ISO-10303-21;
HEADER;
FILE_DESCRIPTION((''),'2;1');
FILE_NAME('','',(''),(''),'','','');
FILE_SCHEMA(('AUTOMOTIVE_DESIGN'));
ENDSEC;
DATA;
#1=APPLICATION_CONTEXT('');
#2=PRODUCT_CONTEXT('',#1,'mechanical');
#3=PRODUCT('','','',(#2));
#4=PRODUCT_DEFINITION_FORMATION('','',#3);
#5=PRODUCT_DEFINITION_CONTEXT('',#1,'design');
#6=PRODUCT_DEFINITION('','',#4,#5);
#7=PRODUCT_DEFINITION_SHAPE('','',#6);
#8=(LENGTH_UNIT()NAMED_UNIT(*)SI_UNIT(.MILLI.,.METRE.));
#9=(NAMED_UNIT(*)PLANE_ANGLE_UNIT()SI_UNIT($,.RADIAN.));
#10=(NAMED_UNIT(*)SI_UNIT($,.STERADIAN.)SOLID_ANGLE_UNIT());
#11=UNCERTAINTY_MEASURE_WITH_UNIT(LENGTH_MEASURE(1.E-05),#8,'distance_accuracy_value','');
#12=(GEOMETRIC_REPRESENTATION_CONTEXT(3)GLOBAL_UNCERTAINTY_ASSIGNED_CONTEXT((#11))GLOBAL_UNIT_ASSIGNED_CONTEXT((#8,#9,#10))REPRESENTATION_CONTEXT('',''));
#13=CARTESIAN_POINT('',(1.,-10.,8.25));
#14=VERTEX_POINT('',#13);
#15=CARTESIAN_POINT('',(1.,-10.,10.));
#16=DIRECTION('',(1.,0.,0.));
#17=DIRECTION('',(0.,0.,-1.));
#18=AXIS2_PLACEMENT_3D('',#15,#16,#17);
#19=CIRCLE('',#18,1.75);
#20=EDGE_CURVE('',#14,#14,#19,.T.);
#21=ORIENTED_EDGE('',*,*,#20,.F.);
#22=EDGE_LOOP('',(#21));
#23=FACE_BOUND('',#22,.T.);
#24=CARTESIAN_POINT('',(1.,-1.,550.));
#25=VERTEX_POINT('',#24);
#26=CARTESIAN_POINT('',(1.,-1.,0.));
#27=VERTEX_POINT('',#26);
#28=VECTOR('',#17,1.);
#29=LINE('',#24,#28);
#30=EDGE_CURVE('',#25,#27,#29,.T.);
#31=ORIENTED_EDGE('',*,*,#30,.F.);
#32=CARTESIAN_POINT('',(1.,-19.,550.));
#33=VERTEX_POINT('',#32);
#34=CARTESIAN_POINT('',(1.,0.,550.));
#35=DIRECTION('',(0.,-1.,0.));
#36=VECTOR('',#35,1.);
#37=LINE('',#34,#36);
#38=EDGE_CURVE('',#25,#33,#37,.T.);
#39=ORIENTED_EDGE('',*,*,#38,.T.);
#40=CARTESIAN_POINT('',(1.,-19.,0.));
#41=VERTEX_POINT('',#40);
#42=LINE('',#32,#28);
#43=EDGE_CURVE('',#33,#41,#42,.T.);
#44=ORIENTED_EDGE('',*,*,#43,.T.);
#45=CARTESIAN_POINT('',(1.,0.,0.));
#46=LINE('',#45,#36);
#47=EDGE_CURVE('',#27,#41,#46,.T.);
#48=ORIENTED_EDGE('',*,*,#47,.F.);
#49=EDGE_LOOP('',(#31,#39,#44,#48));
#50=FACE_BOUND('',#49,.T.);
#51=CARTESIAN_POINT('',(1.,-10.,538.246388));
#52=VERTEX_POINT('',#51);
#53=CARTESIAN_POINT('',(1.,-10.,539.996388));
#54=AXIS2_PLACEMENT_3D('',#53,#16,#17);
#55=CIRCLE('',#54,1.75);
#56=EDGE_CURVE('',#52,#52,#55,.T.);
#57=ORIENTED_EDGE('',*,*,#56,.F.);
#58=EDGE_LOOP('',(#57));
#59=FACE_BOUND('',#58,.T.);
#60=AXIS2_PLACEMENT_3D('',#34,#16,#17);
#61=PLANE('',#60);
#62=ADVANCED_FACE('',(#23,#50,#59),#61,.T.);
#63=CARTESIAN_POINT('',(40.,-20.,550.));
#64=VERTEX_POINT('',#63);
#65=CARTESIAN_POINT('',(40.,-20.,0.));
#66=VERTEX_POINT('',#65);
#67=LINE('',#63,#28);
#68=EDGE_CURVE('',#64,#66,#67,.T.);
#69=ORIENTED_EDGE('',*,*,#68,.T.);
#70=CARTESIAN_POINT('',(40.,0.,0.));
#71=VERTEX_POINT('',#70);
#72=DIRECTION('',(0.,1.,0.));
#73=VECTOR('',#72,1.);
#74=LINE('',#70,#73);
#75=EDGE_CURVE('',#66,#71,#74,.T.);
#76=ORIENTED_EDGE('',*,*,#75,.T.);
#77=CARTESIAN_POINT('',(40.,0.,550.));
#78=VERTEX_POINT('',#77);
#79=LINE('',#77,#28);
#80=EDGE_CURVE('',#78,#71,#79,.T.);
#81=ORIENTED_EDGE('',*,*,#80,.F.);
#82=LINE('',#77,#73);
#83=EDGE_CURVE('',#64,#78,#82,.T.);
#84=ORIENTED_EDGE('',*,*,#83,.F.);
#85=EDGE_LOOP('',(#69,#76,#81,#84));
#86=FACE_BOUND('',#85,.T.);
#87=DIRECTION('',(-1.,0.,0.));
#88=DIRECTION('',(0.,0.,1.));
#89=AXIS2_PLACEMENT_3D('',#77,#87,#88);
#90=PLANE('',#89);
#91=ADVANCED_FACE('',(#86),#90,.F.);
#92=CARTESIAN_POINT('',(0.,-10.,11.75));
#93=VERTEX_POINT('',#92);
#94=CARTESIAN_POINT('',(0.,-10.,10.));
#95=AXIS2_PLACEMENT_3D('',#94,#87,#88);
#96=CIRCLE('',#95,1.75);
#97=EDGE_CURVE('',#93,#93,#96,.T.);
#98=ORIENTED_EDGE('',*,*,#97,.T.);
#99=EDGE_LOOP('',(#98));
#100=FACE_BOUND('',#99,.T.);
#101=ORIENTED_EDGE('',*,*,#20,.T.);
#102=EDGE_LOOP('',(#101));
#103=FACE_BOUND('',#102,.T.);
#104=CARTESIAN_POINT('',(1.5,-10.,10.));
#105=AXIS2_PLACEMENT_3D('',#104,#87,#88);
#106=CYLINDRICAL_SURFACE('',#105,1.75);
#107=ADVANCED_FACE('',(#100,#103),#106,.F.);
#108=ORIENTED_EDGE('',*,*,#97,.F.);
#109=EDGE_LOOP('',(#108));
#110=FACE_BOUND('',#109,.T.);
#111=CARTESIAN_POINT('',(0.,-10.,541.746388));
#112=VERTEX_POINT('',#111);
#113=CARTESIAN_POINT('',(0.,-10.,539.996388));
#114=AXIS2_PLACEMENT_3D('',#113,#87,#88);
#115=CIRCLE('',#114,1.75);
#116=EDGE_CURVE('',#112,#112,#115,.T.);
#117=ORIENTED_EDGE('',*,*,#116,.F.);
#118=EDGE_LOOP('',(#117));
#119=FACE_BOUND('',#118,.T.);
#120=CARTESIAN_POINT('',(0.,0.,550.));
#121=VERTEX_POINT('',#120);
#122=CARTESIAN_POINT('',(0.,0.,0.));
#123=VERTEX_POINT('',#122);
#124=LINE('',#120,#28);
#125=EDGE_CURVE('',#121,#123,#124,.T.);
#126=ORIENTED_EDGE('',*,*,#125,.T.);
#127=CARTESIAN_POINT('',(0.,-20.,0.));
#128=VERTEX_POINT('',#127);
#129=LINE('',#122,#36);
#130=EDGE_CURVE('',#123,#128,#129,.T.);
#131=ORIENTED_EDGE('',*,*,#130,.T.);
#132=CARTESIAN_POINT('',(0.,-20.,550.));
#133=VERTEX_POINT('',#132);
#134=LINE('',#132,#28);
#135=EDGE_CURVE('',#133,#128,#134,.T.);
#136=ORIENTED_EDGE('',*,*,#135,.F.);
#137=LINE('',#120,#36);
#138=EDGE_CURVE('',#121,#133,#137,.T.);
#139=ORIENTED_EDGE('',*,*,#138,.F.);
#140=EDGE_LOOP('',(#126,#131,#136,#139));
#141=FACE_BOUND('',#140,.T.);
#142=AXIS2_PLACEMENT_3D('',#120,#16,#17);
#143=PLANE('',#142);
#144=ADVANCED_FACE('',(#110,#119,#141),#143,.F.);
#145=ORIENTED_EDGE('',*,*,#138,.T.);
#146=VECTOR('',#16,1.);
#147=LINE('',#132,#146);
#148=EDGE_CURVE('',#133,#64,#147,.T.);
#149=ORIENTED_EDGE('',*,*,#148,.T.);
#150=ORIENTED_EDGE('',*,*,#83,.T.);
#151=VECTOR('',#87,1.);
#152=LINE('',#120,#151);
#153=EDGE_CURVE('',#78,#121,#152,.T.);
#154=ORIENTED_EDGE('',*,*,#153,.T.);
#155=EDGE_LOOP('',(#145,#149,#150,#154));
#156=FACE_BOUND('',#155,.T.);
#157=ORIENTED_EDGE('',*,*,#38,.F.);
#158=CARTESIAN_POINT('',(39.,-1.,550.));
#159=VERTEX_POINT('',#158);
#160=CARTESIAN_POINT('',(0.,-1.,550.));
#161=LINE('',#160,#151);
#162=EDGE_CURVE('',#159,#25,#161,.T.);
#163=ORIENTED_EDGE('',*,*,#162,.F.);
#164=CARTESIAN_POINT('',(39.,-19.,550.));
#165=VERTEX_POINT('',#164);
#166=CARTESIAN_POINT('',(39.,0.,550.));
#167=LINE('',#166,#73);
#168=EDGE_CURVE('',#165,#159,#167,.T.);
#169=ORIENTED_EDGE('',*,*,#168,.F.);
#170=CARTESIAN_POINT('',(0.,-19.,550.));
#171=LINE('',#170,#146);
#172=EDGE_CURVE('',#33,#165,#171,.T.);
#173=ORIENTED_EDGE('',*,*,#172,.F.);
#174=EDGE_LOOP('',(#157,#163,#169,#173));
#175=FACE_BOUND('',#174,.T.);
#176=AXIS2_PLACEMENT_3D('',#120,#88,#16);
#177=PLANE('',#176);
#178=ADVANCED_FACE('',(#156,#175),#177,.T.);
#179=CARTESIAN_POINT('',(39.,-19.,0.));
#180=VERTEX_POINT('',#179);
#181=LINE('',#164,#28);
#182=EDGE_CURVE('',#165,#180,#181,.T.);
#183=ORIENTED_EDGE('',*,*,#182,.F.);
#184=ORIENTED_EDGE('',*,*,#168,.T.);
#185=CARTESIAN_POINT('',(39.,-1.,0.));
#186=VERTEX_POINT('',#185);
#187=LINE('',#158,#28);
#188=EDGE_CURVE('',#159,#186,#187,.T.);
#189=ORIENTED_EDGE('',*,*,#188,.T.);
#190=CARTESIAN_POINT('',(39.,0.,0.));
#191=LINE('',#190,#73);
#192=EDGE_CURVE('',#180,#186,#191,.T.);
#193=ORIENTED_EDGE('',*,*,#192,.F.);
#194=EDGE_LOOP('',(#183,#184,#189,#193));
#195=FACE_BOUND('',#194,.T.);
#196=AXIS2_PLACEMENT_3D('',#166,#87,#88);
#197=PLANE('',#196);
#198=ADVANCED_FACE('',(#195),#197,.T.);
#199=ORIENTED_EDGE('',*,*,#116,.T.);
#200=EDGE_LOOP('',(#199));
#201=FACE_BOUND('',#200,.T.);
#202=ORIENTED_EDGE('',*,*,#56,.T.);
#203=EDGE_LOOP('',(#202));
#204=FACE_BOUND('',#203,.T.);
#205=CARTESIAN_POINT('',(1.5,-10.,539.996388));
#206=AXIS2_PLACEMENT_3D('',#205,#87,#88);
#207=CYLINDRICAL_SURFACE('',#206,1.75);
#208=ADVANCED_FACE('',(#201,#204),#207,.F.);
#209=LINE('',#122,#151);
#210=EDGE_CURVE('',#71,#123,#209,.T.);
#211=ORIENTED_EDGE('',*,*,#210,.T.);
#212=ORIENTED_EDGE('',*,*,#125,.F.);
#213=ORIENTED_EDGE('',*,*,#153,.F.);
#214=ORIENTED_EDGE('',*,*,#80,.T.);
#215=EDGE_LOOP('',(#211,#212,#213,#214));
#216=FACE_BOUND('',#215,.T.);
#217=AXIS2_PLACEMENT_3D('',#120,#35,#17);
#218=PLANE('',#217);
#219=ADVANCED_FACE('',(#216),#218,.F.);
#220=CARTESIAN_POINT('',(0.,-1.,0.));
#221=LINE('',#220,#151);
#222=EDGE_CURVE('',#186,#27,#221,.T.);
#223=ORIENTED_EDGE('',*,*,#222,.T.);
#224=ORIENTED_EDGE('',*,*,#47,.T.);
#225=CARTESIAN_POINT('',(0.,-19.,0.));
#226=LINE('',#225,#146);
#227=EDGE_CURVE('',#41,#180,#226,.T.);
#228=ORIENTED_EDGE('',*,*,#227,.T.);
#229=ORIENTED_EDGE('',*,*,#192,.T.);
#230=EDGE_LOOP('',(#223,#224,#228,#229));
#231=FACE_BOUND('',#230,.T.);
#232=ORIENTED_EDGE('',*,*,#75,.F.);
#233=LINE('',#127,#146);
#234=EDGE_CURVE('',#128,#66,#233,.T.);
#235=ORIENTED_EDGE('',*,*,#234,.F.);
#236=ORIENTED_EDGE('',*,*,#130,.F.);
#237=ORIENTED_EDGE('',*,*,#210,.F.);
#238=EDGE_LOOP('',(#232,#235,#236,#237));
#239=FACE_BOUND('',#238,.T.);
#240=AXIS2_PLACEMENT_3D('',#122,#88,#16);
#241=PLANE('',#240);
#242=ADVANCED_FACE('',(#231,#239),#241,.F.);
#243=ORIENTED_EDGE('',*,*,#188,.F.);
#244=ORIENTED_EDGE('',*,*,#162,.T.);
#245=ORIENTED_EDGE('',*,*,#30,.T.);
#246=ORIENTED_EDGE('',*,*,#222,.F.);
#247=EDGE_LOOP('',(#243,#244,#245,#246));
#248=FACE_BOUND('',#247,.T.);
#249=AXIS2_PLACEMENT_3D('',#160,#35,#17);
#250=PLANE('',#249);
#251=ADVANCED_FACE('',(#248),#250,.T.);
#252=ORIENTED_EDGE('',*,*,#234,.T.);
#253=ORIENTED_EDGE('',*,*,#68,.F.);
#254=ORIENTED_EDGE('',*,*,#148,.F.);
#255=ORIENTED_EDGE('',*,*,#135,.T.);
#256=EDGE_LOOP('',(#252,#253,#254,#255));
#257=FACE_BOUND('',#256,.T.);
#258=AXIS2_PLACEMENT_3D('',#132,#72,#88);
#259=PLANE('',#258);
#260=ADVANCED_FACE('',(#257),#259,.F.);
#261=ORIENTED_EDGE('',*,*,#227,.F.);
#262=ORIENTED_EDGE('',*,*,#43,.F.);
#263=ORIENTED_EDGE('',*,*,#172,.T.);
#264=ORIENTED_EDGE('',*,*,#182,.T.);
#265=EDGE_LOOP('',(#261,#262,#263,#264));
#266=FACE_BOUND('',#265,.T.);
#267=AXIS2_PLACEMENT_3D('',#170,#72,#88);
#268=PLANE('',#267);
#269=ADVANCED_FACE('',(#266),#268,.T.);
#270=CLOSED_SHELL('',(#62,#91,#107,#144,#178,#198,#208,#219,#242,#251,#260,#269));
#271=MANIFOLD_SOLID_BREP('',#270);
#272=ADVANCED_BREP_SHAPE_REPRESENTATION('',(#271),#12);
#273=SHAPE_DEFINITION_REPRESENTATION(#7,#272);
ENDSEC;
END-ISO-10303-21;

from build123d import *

# Parameters (mm, degrees)
SKETCH_1_W          = 40
SKETCH_1_H          = 20
SKETCH_1_W_2        = 38
SKETCH_1_H_2        = 18
EXTRUDE_1_DEPTH     = 550
SKETCH_4_R          = 1.75
CUT_EXTRUDE_2_DEPTH = 1.5


with BuildPart() as part:
    # 草图1 → 拉伸-薄壁1 (new body)
    with BuildSketch(Plane.XY):
        with Locations((20, -10)):
            Rectangle(SKETCH_1_W, SKETCH_1_H)
        with Locations((20, -10)):
            Rectangle(SKETCH_1_W_2, SKETCH_1_H_2, mode=Mode.SUBTRACT)
    extrude(amount=EXTRUDE_1_DEPTH)

    # 草图4 → 切除-拉伸2 (cut)
    with BuildSketch(Plane.ZY):
        with Locations((539.996387591, -10)):
            Circle(SKETCH_4_R)
        with Locations((10, -10.000000002)):
            Circle(SKETCH_4_R)
    extrude(amount=-CUT_EXTRUDE_2_DEPTH, mode=Mode.SUBTRACT)


solid = part.part
